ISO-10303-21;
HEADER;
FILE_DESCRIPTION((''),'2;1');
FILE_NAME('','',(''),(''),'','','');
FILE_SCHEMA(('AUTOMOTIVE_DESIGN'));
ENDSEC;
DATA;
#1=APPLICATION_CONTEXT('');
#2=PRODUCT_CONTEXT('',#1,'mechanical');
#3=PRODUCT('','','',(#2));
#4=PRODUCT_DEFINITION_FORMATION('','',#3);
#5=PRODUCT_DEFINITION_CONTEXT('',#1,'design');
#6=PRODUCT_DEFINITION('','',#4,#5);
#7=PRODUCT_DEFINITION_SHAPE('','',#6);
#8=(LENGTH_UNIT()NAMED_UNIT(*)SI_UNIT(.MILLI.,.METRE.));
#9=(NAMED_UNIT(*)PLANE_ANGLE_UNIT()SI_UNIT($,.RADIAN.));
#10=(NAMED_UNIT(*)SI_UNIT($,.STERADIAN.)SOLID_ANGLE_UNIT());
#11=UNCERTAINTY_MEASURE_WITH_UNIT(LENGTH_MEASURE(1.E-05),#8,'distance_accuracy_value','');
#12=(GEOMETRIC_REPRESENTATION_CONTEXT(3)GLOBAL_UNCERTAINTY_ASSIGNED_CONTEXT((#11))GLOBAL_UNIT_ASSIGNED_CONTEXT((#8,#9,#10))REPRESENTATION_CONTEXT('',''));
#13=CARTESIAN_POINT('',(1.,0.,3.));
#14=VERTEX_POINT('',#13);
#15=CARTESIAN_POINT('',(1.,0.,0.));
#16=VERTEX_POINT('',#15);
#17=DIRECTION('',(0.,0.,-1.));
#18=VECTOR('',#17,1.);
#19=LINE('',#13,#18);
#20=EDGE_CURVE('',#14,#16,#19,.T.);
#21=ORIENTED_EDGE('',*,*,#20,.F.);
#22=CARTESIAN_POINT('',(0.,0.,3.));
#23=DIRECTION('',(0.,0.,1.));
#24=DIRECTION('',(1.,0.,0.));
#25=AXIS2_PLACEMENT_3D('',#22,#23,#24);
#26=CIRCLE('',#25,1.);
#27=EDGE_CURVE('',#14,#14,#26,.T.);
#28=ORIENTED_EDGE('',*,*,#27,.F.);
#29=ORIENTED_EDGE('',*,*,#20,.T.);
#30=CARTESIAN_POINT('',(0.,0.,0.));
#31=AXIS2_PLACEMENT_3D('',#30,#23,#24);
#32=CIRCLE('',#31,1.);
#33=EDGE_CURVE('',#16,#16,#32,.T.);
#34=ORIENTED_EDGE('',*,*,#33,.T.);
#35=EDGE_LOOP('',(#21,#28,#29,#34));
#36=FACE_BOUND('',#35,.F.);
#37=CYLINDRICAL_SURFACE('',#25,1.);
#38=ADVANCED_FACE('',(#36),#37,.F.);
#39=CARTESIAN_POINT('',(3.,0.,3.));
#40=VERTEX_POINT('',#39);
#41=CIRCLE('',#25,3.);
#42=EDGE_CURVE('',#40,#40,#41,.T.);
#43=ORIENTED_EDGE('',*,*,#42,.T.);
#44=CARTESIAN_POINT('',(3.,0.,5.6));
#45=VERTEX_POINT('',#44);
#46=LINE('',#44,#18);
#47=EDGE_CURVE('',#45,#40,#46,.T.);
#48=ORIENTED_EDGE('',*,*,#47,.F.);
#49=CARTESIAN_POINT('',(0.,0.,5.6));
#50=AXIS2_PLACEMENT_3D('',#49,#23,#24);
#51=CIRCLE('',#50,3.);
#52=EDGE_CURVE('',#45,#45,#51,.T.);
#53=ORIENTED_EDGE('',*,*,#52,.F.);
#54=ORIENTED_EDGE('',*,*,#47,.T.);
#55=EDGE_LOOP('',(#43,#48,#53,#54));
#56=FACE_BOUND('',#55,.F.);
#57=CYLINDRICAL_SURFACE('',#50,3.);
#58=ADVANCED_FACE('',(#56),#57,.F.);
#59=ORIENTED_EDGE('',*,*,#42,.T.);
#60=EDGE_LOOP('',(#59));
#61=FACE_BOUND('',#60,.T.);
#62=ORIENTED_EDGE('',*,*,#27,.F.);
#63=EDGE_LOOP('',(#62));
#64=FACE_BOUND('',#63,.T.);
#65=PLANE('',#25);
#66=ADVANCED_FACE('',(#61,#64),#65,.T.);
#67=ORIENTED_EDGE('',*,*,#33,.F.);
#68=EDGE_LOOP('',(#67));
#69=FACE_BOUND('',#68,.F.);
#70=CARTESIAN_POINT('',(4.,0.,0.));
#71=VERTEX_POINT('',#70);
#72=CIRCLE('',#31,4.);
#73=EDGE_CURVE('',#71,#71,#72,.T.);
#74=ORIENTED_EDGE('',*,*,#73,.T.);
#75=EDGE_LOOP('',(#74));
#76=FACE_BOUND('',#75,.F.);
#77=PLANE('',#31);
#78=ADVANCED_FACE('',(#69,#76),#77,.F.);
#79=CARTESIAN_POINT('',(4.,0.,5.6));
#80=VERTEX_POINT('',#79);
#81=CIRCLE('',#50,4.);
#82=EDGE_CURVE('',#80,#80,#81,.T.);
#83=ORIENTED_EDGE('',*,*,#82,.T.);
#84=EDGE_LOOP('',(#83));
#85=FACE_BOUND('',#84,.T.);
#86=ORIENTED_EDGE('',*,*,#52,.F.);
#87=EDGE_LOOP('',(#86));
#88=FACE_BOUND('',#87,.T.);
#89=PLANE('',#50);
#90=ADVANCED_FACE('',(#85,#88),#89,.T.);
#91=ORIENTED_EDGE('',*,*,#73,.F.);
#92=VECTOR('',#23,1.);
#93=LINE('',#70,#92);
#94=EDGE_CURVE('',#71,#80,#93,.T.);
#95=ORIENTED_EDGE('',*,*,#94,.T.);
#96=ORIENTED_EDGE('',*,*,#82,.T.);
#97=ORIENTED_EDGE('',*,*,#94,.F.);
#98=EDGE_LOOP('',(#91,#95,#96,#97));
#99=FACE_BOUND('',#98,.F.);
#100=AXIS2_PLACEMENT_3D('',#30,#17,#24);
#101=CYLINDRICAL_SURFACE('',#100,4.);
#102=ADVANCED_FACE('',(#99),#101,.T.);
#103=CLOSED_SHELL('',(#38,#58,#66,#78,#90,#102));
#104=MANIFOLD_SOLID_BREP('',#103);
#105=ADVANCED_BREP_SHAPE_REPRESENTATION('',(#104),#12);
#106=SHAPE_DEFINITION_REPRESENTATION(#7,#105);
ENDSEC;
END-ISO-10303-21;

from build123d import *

# Parameters (mm, degrees)
SKETCH_R        = 4
PAD_DEPTH       = 5.6
SKETCH001_R     = 3
POCKET_DEPTH    = 2.6
SKETCH002_R     = 1
POCKET001_DEPTH = 5


with BuildPart() as part:
    # Sketch → Pad (new body)
    with BuildSketch(Plane.XY):
        Circle(SKETCH_R)
    extrude(amount=PAD_DEPTH)

    # Sketch001 (on Face3 of Pad) → Pocket (cut)
    with BuildSketch(Plane.XY.offset(5.6)):
        Circle(SKETCH001_R)
    extrude(amount=-POCKET_DEPTH, mode=Mode.SUBTRACT)

    # Sketch002 (on Face5 of Pocket) → Pocket001 (cut)
    with BuildSketch(Plane.XY.offset(3)):
        Circle(SKETCH002_R)
    extrude(amount=-POCKET001_DEPTH, mode=Mode.SUBTRACT)


solid = part.part
